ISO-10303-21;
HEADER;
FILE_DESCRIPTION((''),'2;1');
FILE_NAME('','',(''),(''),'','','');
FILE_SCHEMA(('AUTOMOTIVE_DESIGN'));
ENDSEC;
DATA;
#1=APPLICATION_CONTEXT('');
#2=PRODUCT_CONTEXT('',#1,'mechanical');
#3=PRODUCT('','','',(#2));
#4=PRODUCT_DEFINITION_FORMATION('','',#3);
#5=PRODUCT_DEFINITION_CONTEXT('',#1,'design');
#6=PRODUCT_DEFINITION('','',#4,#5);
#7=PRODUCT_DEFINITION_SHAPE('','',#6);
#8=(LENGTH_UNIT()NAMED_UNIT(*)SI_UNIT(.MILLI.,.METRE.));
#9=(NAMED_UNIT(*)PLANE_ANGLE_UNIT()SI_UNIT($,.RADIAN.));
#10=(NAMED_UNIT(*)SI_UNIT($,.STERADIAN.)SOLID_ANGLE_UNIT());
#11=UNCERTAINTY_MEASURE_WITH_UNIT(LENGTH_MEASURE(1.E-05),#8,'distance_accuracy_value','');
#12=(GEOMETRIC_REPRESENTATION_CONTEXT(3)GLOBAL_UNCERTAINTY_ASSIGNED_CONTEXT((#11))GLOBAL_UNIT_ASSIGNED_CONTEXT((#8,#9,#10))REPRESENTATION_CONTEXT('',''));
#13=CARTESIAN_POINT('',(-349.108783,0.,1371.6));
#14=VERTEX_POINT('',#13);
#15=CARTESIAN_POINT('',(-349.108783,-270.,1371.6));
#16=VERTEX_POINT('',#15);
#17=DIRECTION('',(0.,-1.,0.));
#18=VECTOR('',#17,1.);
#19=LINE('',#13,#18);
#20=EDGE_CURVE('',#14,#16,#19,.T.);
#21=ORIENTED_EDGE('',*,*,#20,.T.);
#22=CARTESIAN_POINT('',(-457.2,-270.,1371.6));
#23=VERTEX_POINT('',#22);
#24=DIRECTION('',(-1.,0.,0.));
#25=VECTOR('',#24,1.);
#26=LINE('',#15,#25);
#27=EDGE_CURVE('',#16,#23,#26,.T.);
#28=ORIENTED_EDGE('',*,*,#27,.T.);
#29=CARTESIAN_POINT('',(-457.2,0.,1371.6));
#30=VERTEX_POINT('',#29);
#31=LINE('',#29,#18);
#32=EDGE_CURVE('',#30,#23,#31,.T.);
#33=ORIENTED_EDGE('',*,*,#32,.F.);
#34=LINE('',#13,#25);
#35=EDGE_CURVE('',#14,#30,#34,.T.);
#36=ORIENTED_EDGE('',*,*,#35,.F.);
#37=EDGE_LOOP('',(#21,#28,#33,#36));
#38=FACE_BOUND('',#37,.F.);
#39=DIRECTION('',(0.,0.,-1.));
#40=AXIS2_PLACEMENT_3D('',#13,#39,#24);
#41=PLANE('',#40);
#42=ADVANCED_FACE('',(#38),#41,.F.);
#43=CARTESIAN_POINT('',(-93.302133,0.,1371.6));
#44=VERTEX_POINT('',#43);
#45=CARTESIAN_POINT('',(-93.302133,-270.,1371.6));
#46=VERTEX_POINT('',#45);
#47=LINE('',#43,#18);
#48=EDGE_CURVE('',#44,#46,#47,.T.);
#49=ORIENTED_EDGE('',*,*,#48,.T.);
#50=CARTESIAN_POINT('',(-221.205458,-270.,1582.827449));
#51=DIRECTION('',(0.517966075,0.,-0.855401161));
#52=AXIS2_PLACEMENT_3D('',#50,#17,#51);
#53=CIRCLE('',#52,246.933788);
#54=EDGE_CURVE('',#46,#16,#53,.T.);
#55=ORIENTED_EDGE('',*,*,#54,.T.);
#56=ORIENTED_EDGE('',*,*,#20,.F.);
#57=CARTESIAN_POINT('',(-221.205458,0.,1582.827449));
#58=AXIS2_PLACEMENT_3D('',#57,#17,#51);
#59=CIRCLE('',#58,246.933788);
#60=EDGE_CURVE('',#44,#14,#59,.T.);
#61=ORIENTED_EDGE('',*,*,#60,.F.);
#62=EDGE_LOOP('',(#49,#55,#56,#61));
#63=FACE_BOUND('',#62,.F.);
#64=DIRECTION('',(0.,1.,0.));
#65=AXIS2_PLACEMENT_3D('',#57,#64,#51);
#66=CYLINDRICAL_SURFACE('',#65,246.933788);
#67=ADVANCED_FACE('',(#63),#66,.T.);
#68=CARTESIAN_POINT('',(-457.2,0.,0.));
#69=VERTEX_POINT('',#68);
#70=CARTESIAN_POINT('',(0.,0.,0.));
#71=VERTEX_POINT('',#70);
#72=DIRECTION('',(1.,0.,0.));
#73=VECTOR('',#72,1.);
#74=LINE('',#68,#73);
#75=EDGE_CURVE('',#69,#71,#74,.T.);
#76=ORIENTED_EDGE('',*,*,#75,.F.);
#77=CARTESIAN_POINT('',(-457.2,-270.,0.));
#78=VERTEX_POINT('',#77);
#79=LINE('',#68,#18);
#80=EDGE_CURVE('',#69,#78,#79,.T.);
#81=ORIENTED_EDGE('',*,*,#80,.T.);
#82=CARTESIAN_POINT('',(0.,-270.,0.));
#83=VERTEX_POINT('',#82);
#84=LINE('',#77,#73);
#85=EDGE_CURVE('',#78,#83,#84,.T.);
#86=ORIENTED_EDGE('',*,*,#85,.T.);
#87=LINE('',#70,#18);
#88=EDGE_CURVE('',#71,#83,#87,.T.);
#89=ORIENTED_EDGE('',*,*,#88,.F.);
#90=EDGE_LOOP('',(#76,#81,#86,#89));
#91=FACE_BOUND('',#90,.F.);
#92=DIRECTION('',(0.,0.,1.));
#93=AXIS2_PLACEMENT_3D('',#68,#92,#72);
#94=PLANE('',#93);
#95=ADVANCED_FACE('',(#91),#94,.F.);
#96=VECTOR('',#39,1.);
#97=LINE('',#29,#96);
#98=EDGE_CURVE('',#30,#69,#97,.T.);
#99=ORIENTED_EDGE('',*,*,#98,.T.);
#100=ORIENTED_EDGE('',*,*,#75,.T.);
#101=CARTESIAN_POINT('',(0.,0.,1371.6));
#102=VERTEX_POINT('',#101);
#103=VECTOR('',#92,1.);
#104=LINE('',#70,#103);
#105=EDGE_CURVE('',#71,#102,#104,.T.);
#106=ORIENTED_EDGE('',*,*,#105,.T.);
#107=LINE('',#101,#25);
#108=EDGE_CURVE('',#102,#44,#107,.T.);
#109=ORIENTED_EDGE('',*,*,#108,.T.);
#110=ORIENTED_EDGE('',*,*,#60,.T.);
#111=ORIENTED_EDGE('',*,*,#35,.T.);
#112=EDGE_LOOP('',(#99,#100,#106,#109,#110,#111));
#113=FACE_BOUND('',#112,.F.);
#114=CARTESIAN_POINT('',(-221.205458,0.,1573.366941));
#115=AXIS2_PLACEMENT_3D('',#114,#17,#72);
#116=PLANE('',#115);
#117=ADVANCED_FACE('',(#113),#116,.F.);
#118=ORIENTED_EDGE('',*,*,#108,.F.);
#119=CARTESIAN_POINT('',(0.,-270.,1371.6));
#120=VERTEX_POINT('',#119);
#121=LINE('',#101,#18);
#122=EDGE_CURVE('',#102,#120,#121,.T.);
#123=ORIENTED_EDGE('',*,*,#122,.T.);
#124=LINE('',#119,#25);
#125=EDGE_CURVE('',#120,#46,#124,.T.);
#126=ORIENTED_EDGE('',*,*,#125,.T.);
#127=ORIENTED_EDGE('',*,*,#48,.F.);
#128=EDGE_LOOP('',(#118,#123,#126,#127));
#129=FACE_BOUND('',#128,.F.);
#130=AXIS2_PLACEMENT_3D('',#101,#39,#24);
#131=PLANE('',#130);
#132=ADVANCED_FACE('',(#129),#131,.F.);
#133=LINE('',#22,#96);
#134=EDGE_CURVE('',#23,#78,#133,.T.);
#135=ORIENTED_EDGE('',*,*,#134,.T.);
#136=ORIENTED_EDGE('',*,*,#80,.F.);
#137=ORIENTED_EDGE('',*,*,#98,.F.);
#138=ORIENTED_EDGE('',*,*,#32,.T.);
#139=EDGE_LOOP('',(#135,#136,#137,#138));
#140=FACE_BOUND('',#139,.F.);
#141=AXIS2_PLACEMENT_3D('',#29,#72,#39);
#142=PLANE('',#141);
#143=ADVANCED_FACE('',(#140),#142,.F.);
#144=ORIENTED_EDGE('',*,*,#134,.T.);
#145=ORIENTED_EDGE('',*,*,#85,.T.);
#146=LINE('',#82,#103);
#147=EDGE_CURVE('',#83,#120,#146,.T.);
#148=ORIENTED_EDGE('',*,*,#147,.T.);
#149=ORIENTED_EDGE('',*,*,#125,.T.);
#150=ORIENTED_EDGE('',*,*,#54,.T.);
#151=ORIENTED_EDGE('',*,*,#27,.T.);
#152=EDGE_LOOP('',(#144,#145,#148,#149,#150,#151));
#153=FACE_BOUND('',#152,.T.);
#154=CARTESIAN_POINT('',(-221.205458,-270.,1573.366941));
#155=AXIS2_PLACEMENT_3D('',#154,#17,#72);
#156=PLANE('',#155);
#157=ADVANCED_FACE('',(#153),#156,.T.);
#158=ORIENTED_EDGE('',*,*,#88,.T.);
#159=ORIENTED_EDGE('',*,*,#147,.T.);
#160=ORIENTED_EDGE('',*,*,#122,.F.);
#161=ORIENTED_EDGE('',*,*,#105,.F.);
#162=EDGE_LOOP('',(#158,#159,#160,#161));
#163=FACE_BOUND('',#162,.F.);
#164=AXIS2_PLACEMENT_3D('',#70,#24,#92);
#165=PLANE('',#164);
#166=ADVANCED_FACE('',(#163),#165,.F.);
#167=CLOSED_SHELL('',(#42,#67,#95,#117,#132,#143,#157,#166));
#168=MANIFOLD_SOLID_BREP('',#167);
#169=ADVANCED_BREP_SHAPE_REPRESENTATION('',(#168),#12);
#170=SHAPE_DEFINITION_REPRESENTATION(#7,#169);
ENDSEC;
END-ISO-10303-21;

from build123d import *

# Parameters (mm, degrees)
F1_DEPTH = 270


with BuildPart() as f1:
    # F0 (on Front) → F1 (new body)
    with BuildSketch(Plane.XZ):
        with BuildLine():
            Line((-349.1087829109, 1371.6), (-93.3021331792, 1371.6))
            ThreePointArc((-93.3021331792, 1371.6), (-6.0776493306, 1461.5990628332), (25.7283299575, 1582.8274488449))
            ThreePointArc((25.7283299575, 1582.8274488449), (-342.4338440568, 1797.9552575593), (-349.1087829109, 1371.6))
        make_face()
        with BuildLine():
            Line((-457.2, 0), (0, 0))
            Line((0, 0), (0, 1371.6))
            Line((0, 1371.6), (-93.3021331792, 1371.6))
            ThreePointArc((-93.3021331792, 1371.6), (-221.205458045, 1335.8936608424), (-349.1087829109, 1371.6))
            Line((-349.1087829109, 1371.6), (-457.2, 1371.6))
            Line((-457.2, 1371.6), (-457.2, 0))
        make_face()
        with BuildLine():
            ThreePointArc((-349.1087829109, 1371.6), (-221.205458045, 1335.8936608424), (-93.3021331792, 1371.6))
            Line((-93.3021331792, 1371.6), (-349.1087829109, 1371.6))
        make_face()
    extrude(amount=F1_DEPTH)


solid = f1.part
